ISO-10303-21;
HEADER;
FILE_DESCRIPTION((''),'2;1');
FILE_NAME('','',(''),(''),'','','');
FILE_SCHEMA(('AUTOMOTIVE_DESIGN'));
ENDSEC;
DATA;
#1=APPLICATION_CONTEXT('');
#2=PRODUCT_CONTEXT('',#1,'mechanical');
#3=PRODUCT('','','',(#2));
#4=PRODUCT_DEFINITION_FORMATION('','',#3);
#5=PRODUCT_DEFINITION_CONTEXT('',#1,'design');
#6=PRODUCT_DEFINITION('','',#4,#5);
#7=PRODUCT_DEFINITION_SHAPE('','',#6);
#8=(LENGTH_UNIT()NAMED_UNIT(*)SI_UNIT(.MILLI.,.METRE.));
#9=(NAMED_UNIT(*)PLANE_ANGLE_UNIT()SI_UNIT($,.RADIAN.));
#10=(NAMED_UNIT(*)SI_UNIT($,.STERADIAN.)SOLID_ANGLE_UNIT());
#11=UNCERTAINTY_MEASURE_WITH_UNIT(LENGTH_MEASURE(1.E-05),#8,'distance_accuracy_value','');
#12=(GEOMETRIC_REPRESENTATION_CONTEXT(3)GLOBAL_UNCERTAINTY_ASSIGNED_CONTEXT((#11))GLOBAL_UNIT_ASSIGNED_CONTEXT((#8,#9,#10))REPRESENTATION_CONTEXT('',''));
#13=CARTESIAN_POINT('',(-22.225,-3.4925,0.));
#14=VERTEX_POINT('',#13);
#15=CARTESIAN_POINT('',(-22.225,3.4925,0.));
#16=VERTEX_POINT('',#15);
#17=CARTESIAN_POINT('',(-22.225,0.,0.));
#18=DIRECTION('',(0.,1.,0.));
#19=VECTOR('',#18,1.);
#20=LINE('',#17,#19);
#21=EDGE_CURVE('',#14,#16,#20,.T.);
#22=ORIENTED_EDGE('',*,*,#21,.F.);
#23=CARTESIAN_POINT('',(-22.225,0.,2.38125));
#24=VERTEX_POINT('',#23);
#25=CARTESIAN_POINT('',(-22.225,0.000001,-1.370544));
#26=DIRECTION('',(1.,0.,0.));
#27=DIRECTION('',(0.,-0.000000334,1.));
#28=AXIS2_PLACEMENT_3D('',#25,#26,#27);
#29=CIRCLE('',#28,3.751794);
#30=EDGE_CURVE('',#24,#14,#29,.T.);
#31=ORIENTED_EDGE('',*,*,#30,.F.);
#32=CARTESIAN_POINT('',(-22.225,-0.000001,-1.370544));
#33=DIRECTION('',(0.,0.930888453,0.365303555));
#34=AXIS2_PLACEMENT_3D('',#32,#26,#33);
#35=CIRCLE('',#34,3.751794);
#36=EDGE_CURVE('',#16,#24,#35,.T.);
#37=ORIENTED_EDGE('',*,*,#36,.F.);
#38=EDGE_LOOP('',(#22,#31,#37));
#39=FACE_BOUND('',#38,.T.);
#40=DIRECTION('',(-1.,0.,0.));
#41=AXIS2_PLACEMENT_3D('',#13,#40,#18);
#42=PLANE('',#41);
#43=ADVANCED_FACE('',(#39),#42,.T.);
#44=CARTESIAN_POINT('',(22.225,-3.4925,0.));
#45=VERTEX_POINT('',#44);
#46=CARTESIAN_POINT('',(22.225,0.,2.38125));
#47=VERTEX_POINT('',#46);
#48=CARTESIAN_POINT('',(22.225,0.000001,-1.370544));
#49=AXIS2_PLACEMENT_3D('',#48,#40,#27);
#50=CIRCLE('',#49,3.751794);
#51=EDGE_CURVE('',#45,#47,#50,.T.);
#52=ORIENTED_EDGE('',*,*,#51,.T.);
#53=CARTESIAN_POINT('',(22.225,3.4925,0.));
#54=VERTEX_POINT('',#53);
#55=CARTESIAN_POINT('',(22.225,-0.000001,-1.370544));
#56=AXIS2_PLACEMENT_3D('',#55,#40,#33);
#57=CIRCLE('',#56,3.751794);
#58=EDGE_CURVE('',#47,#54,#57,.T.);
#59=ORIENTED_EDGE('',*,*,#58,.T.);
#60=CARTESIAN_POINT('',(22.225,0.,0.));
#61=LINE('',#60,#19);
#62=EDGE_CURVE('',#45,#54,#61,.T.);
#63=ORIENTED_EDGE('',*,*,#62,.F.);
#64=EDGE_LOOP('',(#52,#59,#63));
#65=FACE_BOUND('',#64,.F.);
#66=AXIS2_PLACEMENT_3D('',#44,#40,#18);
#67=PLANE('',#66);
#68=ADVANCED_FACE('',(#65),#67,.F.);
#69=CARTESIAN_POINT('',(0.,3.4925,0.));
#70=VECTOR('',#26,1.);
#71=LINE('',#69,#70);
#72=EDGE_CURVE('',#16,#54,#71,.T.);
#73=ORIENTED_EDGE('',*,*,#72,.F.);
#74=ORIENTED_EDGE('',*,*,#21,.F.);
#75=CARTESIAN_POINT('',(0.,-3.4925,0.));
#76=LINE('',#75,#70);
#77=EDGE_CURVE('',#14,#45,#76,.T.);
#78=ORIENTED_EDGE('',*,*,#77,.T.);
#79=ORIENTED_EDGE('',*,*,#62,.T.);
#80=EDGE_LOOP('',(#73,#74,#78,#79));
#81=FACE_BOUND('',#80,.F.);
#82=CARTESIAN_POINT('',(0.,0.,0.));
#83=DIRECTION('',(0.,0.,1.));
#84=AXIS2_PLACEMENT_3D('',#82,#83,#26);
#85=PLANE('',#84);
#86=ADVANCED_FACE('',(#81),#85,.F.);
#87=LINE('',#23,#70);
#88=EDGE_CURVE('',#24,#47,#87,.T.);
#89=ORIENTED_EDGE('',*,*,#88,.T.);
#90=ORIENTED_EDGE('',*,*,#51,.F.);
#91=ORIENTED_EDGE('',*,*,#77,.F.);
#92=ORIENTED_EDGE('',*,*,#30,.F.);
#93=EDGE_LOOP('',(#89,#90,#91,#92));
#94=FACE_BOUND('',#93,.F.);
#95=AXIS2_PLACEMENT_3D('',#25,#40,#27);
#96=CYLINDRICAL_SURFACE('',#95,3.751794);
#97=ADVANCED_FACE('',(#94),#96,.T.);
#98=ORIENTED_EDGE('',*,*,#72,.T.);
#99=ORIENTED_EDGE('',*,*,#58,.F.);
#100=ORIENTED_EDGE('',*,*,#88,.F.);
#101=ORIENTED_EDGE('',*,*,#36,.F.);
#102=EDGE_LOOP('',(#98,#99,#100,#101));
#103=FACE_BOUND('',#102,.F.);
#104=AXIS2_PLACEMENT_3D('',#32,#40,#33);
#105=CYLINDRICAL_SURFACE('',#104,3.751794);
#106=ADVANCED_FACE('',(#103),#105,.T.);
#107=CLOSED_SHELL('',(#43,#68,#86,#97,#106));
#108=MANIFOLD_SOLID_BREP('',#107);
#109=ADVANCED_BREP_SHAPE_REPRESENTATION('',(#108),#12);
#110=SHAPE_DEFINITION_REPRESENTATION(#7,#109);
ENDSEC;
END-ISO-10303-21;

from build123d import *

# Parameters (mm, degrees)
F0_W     = 44.45
F0_H     = 6.985
F1_DEPTH = 2.38125
F3_DEPTH = 44.451


with BuildPart() as f1:
    # F0 (on Top) → F1 (new body)
    with BuildSketch(Plane.XY):
        Rectangle(F0_W, F0_H)
    extrude(amount=F1_DEPTH)

    # F2 (on face) → F3 (cut, through all)
    with BuildSketch(Plane(origin=(-22.225, 0, 0), x_dir=(0, -1, 0), z_dir=(-1, 0, 0))):
        with BuildLine():
            ThreePointArc((-3.4925, 0), (-2.113522, 1.729291), (0, 2.38125))
            Line((0, 2.38125), (-3.4925, 2.38125))
            Line((-3.4925, 2.38125), (-3.4925, 0))
        make_face()
        with BuildLine():
            ThreePointArc((0, 2.38125), (2.113522, 1.729291), (3.4925, 0))
            Line((3.4925, 0), (3.4925, 2.38125))
            Line((3.4925, 2.38125), (0, 2.38125))
        make_face()
    extrude(amount=-F3_DEPTH, mode=Mode.SUBTRACT)


solid = f1.part
